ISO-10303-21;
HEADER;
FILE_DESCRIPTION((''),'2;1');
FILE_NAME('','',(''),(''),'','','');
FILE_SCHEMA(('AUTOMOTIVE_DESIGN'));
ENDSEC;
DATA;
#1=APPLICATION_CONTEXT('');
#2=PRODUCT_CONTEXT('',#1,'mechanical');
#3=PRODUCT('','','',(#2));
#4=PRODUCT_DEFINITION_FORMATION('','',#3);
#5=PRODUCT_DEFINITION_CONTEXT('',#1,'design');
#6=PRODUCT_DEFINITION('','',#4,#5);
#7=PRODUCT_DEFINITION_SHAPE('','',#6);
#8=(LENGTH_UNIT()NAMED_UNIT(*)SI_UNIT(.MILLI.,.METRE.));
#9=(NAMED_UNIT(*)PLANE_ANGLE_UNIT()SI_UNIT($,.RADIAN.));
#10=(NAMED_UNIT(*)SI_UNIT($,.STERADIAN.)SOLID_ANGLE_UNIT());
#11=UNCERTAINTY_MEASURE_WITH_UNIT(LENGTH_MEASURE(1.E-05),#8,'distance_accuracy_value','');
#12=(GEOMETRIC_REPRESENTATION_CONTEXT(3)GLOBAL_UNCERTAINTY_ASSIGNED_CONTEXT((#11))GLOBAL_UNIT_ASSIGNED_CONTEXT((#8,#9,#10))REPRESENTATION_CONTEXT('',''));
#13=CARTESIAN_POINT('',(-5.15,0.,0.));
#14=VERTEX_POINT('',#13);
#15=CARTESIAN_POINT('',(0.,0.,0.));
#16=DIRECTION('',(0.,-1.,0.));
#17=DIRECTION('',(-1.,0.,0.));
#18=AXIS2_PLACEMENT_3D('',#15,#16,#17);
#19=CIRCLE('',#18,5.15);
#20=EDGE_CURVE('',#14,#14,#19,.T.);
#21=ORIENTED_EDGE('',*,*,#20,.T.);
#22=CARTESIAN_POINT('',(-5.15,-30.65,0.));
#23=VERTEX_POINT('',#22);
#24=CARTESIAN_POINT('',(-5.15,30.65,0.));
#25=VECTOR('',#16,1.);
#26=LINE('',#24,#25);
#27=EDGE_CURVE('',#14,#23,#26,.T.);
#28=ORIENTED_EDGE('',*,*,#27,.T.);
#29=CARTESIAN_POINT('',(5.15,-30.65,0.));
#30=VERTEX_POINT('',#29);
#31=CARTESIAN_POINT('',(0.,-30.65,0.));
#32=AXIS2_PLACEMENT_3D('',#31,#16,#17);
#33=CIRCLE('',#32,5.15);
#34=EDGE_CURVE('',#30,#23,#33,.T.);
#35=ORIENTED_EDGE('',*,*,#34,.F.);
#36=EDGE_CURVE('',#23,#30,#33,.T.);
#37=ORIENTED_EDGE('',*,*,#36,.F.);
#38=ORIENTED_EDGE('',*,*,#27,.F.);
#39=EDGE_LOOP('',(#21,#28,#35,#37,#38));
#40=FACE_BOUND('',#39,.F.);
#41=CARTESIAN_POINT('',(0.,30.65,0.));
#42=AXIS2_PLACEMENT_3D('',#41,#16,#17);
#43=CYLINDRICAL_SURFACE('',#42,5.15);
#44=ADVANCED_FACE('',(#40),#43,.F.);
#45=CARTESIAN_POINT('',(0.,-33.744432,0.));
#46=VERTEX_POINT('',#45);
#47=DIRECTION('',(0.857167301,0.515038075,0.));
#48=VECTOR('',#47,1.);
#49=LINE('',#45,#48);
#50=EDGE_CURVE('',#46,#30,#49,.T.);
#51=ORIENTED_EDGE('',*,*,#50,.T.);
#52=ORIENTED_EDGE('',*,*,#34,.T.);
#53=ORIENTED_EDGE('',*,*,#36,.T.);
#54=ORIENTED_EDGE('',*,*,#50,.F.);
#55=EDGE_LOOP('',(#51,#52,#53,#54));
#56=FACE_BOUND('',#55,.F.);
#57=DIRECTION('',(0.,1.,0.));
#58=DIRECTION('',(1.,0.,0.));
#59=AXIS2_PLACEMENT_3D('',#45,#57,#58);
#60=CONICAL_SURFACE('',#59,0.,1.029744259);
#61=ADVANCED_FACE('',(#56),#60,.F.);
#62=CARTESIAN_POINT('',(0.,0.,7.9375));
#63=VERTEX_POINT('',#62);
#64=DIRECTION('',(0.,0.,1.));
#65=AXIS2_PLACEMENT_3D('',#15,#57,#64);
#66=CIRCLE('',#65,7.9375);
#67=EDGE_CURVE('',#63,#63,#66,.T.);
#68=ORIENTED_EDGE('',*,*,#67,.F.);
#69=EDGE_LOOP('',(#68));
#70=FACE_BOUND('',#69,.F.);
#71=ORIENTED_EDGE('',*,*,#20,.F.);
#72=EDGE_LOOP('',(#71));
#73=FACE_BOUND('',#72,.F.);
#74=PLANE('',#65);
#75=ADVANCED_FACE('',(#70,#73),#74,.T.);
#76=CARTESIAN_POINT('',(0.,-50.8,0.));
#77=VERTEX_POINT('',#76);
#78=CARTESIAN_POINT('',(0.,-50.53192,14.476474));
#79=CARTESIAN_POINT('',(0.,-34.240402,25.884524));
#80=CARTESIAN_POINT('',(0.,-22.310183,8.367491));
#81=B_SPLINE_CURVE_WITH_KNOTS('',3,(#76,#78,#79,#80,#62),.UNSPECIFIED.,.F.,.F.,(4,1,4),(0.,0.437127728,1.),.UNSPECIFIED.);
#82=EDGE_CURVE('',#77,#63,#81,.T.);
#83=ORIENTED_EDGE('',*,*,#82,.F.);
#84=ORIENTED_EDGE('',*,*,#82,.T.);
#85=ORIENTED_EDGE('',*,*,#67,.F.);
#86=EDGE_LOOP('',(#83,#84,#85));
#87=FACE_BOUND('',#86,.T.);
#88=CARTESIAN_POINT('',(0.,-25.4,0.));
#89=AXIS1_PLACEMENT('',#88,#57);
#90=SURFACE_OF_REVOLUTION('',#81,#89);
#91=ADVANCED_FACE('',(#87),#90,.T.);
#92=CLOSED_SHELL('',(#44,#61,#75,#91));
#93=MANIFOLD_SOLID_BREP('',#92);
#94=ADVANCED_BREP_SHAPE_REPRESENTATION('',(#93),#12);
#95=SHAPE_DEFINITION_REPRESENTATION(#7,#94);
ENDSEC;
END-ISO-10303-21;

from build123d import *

# Parameters (mm, degrees)
F3_D     = 10.3
F3_DEPTH = 30.65
F3_TIP   = 3.094432188


with BuildPart() as f1:
    # F0 (on Right) → F1 (revolve)
    with BuildSketch(Plane.YZ):
        with BuildLine():
            add(Edge.make_bspline(
                [(-50.8, 0), (-50.5319202055, 14.476473596), (-34.2404022703, 25.8845236651), (-22.3101829974, 8.3674910788), (0, 7.9375)],
                knots=[0, 0, 0, 0, 0.4371277277, 1, 1, 1, 1], degree=3))
            Line((-50.8, 0), (0, 0))
            Line((0, 0), (0, 7.9375))
        make_face()
    revolve(axis=Axis((0, -25.4, 0), (0, 1, 0)))

    # F3
    with Locations(Plane(origin=(0, 0, 0), x_dir=(1, 0, 0), z_dir=(0, 1, 0))):
        with Locations((0, 0)):
            Hole(F3_D / 2, depth=F3_DEPTH)
            with Locations((0, 0, -(F3_DEPTH + F3_TIP / 2))):  # 118° drill point
                Cone(0, F3_D / 2, F3_TIP, mode=Mode.SUBTRACT)


solid = f1.part
